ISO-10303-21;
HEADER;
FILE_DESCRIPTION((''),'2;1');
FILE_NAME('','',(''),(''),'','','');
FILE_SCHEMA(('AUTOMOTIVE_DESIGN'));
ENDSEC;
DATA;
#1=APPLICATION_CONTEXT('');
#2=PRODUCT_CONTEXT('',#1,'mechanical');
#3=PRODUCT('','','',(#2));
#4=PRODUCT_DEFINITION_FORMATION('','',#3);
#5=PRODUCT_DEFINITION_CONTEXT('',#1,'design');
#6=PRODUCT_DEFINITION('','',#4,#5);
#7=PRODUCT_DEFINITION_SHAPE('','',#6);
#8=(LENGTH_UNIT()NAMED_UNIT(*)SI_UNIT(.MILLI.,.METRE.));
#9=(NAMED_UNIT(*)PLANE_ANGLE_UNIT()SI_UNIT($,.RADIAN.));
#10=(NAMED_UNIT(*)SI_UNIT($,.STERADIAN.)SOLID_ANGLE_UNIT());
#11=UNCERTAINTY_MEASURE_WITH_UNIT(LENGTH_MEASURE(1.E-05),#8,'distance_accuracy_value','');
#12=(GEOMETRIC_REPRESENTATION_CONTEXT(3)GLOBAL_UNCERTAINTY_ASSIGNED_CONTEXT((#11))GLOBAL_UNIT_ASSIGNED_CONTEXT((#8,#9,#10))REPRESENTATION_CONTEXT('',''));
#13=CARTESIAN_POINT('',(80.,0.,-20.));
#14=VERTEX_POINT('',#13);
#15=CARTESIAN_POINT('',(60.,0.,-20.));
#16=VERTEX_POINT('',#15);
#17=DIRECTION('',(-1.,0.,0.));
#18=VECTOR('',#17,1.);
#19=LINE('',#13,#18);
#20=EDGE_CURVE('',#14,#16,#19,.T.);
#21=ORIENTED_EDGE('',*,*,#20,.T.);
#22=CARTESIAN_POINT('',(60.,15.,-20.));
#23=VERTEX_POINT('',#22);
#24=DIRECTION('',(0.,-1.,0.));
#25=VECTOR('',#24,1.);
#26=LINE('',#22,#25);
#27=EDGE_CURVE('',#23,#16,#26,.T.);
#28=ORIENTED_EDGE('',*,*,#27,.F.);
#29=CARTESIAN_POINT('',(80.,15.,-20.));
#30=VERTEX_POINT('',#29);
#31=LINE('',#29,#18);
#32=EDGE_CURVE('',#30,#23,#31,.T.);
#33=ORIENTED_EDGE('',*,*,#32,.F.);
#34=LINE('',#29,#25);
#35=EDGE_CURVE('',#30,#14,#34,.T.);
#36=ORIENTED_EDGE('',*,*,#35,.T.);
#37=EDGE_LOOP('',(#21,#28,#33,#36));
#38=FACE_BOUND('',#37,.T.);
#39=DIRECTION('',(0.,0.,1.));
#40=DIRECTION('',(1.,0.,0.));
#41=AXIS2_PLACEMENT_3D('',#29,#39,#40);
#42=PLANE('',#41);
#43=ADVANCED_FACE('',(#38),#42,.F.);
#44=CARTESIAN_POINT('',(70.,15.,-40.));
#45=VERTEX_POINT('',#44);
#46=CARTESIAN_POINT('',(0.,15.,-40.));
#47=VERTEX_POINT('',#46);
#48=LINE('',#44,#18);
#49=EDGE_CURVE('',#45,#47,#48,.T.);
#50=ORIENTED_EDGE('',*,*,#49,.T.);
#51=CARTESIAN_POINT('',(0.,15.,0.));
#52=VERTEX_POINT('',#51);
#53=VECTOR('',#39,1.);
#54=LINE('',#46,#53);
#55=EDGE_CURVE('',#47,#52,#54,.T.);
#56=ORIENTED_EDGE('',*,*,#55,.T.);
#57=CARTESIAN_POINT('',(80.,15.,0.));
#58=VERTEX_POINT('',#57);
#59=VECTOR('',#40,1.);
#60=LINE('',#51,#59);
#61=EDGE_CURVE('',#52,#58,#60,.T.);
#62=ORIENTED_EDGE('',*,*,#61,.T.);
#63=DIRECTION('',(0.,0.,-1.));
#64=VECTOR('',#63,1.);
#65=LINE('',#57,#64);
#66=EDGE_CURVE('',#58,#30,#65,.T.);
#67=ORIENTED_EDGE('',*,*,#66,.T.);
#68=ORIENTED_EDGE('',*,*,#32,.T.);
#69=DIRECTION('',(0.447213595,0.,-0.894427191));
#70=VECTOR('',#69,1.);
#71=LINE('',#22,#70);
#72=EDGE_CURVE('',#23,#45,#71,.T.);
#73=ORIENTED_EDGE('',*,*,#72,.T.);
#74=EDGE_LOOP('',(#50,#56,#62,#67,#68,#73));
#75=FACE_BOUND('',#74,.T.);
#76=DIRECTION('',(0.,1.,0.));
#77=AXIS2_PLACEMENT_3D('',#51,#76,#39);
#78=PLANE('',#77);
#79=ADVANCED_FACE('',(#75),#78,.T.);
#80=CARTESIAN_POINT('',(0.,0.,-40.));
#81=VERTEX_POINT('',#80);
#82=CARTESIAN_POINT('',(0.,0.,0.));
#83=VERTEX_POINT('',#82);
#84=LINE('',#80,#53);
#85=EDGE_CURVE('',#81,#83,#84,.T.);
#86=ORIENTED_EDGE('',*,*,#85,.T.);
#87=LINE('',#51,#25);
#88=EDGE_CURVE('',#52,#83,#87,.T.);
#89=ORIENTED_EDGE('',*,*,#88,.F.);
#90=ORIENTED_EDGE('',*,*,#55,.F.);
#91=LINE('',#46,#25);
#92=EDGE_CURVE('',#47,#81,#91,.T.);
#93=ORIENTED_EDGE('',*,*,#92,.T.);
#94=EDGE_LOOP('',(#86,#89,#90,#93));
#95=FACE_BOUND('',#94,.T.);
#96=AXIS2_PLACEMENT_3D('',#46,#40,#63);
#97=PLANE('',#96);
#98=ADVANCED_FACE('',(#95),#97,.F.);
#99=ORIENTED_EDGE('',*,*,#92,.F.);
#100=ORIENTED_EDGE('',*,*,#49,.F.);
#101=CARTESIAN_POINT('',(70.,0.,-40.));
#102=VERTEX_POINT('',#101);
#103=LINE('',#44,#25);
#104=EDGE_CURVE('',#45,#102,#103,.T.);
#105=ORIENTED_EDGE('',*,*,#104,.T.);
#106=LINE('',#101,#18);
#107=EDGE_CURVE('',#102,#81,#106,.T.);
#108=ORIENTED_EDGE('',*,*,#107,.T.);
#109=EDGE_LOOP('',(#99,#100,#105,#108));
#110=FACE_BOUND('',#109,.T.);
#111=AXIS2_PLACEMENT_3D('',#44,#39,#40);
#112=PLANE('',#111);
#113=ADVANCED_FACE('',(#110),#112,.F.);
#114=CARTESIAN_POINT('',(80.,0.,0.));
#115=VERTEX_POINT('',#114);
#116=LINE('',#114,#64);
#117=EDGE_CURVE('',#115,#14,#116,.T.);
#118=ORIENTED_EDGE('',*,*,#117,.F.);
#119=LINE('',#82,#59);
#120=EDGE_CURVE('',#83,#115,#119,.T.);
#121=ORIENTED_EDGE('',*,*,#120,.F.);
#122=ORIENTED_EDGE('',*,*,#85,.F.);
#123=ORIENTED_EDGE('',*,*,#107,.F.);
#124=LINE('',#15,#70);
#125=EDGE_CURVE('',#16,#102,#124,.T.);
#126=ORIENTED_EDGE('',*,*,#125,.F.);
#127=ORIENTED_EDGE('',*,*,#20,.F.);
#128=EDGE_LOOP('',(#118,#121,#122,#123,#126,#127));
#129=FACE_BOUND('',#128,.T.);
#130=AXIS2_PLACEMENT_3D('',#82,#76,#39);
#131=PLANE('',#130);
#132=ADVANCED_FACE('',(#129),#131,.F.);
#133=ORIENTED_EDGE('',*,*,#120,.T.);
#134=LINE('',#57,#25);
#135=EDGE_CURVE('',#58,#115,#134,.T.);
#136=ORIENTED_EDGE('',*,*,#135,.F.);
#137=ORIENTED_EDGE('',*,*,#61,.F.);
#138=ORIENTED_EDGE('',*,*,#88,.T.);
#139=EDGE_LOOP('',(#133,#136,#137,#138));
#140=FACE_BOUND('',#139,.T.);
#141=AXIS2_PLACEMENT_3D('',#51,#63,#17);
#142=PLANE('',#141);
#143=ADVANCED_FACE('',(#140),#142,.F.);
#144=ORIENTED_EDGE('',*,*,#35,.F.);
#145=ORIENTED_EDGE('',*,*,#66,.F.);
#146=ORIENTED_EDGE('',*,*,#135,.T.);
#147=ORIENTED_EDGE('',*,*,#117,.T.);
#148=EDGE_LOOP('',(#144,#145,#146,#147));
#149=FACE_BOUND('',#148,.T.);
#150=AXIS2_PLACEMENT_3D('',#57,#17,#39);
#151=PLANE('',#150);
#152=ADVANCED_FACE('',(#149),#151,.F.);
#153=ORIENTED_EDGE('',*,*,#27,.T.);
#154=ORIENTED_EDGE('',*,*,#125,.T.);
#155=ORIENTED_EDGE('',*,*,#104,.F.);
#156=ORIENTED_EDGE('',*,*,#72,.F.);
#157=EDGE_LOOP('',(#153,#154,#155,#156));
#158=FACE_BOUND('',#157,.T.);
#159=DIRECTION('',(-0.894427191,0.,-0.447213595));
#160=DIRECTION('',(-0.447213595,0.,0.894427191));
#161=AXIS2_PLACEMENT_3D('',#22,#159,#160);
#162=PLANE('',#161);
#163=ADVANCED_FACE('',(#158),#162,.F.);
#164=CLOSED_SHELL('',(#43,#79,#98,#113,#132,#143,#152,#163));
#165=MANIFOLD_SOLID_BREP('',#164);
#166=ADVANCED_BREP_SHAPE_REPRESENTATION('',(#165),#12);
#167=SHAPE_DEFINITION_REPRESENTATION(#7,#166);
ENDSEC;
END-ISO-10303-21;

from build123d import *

# Parameters (mm, degrees)
BOSS_EXTRUDE1_DEPTH = 15


with BuildPart() as part:
    # Sketch1 → Boss-Extrude1 (new body)
    with BuildSketch(Plane(origin=(0, 0, 0), x_dir=(1, 0, 0), z_dir=(0, 1, 0))):
        Polygon((0, 0), (80, 0), (80, 20), (60, 20), (70, 40), (0, 40), align=None)
    extrude(amount=BOSS_EXTRUDE1_DEPTH)


solid = part.part
